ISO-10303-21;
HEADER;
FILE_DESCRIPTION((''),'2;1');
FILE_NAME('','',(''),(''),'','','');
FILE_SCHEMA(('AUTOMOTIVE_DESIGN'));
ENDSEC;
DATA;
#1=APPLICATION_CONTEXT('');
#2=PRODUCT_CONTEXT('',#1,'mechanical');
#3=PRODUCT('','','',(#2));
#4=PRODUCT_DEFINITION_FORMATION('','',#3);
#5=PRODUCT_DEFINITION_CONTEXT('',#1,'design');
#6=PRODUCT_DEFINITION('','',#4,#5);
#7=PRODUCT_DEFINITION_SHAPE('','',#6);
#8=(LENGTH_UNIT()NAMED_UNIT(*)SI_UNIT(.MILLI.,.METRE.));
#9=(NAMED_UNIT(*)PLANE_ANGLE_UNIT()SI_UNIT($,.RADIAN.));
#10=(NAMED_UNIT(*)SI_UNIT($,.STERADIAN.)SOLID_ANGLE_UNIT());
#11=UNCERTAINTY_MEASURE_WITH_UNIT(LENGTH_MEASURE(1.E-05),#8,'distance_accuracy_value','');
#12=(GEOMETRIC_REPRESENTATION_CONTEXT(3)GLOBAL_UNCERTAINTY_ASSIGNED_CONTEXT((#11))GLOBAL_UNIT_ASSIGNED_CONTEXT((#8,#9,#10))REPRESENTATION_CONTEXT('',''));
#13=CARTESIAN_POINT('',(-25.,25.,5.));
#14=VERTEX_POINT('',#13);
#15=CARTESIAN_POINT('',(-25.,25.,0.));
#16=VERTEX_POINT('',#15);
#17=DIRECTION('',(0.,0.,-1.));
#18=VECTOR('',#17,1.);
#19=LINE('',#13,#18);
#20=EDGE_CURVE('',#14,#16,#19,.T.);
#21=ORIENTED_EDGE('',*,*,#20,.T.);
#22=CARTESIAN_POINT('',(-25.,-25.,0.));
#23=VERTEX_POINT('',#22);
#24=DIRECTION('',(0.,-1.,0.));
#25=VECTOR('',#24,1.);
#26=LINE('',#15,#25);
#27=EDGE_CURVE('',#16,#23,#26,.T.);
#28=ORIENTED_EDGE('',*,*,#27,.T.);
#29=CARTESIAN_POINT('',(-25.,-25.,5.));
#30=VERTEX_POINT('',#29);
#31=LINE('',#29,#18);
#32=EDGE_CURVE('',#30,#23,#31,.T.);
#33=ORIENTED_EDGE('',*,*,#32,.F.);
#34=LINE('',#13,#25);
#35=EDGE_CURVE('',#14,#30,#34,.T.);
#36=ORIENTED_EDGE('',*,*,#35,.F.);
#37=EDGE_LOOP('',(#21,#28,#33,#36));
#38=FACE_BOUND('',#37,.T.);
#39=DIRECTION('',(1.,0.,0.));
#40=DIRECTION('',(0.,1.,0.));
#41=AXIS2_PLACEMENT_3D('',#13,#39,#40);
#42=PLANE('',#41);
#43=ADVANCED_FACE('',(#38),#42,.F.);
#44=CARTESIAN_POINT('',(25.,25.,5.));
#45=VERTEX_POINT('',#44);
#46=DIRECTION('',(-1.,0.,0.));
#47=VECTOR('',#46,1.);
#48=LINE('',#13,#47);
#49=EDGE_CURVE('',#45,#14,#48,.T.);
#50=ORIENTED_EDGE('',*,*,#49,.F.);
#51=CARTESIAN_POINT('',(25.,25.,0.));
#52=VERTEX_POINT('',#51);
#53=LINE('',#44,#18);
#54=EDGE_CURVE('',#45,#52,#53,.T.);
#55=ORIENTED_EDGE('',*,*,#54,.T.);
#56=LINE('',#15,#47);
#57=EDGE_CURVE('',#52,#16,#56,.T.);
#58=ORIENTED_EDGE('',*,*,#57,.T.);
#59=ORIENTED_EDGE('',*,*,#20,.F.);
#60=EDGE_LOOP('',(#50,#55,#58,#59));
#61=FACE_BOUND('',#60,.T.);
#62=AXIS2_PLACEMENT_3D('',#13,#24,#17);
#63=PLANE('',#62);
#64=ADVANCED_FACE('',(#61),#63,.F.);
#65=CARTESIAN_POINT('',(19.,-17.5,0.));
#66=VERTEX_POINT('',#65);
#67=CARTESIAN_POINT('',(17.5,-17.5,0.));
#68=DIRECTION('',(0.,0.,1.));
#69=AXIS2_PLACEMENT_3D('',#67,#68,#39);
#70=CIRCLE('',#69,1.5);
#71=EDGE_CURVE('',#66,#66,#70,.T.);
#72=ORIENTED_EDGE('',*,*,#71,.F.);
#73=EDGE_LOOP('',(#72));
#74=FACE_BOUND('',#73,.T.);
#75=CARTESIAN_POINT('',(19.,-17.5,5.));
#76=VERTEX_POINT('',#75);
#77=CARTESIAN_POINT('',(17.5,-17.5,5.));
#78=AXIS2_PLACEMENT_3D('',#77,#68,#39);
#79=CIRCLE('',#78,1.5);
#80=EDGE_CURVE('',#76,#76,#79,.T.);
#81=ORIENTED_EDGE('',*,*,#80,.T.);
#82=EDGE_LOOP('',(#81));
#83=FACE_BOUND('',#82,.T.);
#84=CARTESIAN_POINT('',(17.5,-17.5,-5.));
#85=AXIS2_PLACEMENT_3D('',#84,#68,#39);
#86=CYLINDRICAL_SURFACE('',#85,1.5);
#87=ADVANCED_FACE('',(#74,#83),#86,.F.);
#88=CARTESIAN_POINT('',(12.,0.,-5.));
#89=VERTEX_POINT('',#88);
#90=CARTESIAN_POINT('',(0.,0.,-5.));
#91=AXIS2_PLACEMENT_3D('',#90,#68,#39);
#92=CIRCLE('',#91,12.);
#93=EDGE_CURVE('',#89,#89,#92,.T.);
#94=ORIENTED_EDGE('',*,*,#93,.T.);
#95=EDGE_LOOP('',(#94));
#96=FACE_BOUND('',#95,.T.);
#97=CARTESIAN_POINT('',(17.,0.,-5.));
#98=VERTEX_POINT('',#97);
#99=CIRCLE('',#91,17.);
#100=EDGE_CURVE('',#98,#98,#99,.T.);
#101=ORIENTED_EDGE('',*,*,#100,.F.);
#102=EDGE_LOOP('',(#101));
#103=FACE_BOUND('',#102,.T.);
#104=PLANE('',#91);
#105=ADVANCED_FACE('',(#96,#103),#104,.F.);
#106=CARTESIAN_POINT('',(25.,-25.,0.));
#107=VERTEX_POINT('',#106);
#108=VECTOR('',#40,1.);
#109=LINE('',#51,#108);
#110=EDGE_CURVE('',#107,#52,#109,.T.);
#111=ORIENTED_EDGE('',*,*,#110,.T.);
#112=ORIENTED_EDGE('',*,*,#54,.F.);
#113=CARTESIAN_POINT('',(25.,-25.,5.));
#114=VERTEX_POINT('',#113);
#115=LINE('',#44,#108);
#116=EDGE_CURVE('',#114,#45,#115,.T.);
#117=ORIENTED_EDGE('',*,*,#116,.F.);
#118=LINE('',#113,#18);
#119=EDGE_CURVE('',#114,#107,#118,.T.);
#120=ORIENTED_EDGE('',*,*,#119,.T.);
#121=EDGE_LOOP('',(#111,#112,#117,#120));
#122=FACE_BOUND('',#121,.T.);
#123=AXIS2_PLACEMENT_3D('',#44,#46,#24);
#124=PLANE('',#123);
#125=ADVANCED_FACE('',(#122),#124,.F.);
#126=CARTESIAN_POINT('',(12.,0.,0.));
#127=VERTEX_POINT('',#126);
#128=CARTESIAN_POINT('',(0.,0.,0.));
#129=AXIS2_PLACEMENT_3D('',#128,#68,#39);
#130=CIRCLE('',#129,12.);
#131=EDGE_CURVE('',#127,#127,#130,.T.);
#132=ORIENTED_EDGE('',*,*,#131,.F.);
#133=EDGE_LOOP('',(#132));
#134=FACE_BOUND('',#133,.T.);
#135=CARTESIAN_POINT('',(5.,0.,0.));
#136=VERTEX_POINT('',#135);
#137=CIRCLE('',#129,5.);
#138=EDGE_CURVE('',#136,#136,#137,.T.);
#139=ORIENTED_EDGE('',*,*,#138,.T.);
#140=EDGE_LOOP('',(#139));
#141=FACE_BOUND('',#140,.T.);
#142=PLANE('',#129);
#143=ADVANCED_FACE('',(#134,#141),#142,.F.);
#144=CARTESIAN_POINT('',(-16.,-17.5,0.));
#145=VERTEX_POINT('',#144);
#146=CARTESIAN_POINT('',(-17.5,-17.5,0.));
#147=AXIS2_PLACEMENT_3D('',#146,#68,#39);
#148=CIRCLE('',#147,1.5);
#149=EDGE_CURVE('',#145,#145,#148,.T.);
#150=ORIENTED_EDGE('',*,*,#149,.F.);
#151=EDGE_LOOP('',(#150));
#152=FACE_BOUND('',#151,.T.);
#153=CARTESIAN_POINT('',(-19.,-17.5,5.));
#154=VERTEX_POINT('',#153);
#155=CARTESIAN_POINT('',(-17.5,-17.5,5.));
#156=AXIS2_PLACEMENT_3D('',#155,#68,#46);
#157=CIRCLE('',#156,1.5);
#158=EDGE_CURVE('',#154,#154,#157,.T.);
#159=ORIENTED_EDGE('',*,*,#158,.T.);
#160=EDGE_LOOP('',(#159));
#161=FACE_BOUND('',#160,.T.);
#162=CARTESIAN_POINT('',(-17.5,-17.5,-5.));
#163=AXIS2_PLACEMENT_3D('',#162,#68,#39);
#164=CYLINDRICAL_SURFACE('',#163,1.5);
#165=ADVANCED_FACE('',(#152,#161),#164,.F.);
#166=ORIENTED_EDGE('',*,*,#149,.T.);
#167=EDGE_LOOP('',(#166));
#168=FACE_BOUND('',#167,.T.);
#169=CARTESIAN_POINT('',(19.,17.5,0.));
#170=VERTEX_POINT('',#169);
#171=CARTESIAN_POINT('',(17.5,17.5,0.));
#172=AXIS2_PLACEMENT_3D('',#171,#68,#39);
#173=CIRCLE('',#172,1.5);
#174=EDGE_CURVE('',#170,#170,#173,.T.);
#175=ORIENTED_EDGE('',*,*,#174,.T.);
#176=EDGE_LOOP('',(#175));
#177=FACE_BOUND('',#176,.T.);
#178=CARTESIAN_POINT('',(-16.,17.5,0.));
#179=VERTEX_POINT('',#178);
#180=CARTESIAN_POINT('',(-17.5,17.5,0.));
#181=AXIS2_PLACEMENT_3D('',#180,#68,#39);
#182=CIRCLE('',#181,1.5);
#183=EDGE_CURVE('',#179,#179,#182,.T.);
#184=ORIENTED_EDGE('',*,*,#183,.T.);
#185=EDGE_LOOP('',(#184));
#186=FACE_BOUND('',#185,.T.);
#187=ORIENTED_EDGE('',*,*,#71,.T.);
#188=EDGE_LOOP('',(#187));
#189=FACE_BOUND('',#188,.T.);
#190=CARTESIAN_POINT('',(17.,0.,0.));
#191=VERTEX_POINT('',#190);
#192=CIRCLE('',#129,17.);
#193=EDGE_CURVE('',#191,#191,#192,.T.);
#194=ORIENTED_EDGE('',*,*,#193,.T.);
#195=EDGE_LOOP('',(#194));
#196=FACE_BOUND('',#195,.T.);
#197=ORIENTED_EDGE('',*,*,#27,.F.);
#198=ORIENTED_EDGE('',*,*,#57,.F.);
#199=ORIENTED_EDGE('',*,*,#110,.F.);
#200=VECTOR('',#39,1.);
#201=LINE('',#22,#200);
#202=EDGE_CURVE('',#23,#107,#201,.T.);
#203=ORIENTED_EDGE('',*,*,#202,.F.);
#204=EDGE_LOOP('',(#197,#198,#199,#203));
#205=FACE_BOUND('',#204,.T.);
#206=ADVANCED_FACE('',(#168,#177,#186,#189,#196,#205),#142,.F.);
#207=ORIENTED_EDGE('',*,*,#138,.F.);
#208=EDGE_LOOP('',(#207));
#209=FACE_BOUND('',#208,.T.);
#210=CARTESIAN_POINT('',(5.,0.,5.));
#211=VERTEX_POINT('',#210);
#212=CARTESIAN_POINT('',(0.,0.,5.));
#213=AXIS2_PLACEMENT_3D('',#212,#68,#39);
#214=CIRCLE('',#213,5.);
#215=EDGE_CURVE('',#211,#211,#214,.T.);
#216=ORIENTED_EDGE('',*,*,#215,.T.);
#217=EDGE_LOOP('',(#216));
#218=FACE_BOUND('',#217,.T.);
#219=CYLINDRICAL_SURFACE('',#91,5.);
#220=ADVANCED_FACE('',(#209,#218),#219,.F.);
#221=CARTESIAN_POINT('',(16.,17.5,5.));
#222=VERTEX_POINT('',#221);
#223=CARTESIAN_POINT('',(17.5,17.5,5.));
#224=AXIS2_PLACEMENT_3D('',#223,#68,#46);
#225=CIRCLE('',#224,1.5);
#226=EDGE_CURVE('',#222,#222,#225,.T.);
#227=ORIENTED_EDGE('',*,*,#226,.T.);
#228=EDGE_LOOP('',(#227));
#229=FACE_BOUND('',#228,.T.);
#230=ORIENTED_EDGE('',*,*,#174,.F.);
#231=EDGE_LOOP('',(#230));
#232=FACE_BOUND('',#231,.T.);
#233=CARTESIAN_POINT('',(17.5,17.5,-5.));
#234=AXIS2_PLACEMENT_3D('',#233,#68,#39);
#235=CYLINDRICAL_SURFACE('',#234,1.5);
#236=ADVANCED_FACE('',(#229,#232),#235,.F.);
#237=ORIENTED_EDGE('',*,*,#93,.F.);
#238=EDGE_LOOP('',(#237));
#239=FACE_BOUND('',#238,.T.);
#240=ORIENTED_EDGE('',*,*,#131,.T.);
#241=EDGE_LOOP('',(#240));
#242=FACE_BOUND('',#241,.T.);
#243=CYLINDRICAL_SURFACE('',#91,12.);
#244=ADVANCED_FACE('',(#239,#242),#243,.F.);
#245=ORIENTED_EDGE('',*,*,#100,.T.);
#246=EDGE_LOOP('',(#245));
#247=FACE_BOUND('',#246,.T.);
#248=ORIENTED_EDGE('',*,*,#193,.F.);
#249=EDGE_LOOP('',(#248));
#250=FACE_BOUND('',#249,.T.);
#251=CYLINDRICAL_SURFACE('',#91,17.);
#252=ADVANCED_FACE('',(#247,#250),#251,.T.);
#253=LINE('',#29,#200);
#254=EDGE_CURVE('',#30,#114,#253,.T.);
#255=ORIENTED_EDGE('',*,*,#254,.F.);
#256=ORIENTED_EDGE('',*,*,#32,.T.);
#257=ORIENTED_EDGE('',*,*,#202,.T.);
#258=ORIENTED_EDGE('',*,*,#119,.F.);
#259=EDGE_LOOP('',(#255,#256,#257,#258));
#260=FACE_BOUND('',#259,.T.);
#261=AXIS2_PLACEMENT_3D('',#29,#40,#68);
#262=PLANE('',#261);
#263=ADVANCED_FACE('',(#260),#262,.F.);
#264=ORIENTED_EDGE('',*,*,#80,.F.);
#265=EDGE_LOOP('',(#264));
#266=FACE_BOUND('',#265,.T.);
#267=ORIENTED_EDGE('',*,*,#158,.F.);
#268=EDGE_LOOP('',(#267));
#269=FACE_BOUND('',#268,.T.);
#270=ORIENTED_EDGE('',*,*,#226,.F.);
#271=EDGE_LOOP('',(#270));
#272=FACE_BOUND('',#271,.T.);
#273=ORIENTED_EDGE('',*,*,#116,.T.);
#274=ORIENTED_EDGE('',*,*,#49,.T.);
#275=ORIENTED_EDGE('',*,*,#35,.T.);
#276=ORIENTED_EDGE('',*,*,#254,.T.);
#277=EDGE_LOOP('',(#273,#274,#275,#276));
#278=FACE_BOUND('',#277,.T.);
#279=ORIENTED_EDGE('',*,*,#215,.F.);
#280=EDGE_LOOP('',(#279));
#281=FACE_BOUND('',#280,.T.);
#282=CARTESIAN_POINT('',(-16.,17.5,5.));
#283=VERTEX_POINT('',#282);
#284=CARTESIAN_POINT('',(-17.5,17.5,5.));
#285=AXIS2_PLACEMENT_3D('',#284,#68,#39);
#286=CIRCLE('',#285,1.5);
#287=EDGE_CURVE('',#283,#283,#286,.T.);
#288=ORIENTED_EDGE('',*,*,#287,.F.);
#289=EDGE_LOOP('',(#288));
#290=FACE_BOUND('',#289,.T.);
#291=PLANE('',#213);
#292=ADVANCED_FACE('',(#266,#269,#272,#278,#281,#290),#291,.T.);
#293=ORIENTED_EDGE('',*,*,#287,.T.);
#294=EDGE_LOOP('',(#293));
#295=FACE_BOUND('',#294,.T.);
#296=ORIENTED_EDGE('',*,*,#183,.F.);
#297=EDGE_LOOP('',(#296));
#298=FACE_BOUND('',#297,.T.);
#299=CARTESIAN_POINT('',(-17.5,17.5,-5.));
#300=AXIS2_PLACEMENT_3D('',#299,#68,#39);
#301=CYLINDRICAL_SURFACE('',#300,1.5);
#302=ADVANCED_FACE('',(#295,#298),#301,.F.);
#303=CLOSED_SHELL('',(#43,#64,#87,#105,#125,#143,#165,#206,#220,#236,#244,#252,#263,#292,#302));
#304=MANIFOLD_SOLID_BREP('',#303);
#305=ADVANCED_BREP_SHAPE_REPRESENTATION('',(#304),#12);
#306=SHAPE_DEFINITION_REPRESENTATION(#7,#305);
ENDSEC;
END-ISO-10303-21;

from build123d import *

# Parameters (mm, degrees)
SKETCH1_R           = 17
SKETCH1_R_2         = 12
BOSS_EXTRUDE1_DEPTH = 5
SKETCH2_W           = 50
SKETCH2_H           = 50
BOSS_EXTRUDE2_DEPTH = 5
SKETCH3_R           = 5
CUT_EXTRUDE1_DEPTH  = 37.742346142
SKETCH4_R           = 1.5
CUT_EXTRUDE2_DEPTH  = 37.742346142


with BuildPart() as part:
    # Sketch1 → Boss-Extrude1 (new body)
    with BuildSketch(Plane.XY):
        Circle(SKETCH1_R)
        Circle(SKETCH1_R_2, mode=Mode.SUBTRACT)
    extrude(amount=-BOSS_EXTRUDE1_DEPTH)

    # Sketch2 → Boss-Extrude2 (add)
    with BuildSketch(Plane.XY):
        Rectangle(SKETCH2_W, SKETCH2_H)
    extrude(amount=BOSS_EXTRUDE2_DEPTH)

    # Sketch3 → Cut-Extrude1 (cut, through all)
    with BuildSketch(Plane.XY.offset(5)):
        Circle(SKETCH3_R)
    extrude(amount=-CUT_EXTRUDE1_DEPTH, mode=Mode.SUBTRACT)

    # Sketch4 → Cut-Extrude2 (cut, through all)
    with BuildSketch(Plane.XY.offset(5)):
        with Locations((-17.5, 17.5)):
            Circle(SKETCH4_R)
        with Locations((17.5, 17.5)):
            Circle(SKETCH4_R)
        with Locations((-17.5, -17.5)):
            Circle(SKETCH4_R)
        with Locations((17.5, -17.5)):
            Circle(SKETCH4_R)
    extrude(amount=-CUT_EXTRUDE2_DEPTH, mode=Mode.SUBTRACT)


solid = part.part
